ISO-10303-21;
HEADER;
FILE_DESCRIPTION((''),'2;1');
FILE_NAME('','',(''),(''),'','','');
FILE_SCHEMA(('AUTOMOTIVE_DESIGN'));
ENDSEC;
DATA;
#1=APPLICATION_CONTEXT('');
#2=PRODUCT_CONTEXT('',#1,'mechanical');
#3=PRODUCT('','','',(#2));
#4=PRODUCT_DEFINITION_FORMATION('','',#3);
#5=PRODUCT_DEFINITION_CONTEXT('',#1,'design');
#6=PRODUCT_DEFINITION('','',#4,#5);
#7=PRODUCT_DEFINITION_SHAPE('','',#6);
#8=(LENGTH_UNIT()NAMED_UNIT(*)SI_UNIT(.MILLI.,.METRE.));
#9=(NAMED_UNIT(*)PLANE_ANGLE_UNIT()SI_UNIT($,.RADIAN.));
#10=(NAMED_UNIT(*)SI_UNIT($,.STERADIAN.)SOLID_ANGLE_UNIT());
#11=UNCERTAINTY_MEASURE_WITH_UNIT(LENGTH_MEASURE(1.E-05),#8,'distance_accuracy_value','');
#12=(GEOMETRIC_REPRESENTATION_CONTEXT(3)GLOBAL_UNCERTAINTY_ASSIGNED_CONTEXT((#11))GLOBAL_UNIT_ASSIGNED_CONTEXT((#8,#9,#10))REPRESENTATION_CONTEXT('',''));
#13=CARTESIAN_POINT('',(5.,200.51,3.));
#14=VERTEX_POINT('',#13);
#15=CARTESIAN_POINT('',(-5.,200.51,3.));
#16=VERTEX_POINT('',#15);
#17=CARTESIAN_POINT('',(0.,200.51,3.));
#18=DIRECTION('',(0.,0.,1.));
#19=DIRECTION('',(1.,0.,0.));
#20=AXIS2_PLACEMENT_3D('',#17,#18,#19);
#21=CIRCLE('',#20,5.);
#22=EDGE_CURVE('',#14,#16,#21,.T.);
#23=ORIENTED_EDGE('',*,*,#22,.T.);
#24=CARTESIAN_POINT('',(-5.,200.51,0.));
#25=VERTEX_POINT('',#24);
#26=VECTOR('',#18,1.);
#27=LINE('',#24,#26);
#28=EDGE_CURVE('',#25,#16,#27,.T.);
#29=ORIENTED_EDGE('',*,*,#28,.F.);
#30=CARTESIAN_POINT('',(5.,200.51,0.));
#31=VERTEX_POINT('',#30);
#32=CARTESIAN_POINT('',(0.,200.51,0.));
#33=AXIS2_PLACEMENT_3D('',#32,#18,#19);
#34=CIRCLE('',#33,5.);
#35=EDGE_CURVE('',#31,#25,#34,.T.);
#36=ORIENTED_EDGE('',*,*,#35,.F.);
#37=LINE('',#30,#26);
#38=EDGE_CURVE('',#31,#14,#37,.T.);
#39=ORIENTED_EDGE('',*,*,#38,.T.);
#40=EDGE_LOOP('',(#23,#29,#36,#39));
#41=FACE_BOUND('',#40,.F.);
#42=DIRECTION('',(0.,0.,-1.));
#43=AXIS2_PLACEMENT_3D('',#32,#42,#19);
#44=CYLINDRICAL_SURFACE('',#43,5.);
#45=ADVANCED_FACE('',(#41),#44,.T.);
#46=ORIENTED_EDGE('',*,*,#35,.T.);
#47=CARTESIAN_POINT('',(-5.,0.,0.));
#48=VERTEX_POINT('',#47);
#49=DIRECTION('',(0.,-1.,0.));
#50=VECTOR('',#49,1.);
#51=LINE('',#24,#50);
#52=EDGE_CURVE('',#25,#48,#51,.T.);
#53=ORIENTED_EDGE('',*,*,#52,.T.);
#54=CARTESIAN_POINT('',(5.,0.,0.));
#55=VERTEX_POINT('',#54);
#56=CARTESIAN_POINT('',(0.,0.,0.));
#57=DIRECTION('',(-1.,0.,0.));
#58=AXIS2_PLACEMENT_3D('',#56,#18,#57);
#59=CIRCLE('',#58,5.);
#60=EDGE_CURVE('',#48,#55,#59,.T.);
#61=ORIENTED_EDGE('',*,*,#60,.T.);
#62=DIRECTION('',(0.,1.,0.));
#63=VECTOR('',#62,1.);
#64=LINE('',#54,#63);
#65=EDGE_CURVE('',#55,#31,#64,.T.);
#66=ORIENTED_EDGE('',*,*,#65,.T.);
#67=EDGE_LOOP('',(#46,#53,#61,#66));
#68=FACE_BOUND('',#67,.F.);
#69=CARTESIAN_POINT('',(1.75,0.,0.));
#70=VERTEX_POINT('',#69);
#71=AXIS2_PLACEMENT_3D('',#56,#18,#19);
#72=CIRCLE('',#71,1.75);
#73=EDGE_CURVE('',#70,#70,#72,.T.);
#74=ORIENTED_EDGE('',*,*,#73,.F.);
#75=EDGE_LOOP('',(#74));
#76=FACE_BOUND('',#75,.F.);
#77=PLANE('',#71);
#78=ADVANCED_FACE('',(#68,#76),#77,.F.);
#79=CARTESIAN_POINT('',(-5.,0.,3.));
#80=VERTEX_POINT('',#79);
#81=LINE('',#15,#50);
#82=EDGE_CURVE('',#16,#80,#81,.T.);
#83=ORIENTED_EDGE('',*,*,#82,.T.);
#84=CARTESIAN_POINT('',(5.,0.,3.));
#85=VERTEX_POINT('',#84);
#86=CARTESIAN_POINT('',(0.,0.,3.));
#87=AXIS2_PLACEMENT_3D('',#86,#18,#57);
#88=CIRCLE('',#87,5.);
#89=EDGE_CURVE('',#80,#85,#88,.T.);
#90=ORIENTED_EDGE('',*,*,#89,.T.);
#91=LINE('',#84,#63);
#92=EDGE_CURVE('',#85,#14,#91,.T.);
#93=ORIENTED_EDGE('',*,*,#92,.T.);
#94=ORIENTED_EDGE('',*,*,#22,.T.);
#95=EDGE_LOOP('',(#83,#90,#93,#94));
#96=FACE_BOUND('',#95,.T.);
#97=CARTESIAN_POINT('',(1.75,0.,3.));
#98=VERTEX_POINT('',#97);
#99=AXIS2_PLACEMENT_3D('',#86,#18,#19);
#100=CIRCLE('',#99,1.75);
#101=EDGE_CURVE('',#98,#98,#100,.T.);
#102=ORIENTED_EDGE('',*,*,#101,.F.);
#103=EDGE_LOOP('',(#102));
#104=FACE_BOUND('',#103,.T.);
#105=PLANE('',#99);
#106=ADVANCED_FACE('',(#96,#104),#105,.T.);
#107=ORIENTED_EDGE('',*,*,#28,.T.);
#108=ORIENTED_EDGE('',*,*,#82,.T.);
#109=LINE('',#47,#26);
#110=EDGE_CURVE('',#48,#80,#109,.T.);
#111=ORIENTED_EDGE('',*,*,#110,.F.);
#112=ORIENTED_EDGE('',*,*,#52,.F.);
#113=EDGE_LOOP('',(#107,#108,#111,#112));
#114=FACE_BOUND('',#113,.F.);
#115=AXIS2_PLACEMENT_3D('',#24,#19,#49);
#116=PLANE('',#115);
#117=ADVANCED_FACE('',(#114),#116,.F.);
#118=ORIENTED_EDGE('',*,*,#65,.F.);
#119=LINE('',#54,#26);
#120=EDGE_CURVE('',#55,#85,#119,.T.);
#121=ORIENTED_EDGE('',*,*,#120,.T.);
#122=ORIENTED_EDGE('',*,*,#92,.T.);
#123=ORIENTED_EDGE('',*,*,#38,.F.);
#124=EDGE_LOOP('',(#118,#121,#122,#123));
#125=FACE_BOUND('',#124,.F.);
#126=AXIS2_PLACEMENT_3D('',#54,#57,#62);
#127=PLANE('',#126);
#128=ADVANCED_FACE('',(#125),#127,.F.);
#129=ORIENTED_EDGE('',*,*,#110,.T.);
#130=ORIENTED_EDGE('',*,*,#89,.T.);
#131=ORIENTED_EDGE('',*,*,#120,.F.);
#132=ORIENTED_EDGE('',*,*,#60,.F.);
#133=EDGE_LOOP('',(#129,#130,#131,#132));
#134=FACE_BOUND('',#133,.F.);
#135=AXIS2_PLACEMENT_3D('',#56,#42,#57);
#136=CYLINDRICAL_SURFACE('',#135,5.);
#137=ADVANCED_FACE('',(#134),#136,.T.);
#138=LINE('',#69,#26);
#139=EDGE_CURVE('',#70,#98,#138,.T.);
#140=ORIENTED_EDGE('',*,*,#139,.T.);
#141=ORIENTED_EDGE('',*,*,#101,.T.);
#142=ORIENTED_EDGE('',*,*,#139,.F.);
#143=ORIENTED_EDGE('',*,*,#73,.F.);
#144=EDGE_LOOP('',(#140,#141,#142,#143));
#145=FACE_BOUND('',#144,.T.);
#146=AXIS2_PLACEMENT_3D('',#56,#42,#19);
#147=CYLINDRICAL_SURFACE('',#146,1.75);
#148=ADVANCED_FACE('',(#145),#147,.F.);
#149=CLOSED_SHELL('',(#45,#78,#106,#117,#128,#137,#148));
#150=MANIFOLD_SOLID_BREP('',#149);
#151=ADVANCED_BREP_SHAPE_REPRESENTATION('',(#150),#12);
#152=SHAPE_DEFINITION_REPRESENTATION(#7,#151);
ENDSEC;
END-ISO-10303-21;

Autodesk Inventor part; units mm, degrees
ref_plane "YZ Plane" through (0, 0, 0) normal (1, 0, 0) x (0, 1, 0)
ref_plane "XZ Plane" through (0, 0, 0) normal (0, 1, 0) x (-1, 0, 0)
ref_plane "XY Plane" through (0, 0, 0) normal (0, 0, 1) x (1, 0, 0)
sketch "Sketch1" plane through (0, 0, 0) normal (0, 0, 1) x (1, 0, 0)
  line L0 (0, 0) -> (0, 200.51) construction
  circle A0 centre (0, 0) radius 1.75
  line L1 (0, 0) -> (0, 200.51) construction
  line L2 (5, 0) -> (5, 200.51)
  line L3 (-5, 200.51) -> (-5, 0)
  arc A1 (-5, 0) -> (5, 0) centre (0, 0) ccw
  arc A2 (5, 200.51) -> (-5, 200.51) centre (0, 200.51) ccw
  point P0 (0, 100.255)
  point P1 (0, 100.255)
  dimension "d0" = 200.51
  dimension "d2" = 3.5
  dimension "d6" = 10
extrude "Extrusion2" add sketch "Sketch1" along normal blind 3
properties part number "RedKangoroo_005_pata"
